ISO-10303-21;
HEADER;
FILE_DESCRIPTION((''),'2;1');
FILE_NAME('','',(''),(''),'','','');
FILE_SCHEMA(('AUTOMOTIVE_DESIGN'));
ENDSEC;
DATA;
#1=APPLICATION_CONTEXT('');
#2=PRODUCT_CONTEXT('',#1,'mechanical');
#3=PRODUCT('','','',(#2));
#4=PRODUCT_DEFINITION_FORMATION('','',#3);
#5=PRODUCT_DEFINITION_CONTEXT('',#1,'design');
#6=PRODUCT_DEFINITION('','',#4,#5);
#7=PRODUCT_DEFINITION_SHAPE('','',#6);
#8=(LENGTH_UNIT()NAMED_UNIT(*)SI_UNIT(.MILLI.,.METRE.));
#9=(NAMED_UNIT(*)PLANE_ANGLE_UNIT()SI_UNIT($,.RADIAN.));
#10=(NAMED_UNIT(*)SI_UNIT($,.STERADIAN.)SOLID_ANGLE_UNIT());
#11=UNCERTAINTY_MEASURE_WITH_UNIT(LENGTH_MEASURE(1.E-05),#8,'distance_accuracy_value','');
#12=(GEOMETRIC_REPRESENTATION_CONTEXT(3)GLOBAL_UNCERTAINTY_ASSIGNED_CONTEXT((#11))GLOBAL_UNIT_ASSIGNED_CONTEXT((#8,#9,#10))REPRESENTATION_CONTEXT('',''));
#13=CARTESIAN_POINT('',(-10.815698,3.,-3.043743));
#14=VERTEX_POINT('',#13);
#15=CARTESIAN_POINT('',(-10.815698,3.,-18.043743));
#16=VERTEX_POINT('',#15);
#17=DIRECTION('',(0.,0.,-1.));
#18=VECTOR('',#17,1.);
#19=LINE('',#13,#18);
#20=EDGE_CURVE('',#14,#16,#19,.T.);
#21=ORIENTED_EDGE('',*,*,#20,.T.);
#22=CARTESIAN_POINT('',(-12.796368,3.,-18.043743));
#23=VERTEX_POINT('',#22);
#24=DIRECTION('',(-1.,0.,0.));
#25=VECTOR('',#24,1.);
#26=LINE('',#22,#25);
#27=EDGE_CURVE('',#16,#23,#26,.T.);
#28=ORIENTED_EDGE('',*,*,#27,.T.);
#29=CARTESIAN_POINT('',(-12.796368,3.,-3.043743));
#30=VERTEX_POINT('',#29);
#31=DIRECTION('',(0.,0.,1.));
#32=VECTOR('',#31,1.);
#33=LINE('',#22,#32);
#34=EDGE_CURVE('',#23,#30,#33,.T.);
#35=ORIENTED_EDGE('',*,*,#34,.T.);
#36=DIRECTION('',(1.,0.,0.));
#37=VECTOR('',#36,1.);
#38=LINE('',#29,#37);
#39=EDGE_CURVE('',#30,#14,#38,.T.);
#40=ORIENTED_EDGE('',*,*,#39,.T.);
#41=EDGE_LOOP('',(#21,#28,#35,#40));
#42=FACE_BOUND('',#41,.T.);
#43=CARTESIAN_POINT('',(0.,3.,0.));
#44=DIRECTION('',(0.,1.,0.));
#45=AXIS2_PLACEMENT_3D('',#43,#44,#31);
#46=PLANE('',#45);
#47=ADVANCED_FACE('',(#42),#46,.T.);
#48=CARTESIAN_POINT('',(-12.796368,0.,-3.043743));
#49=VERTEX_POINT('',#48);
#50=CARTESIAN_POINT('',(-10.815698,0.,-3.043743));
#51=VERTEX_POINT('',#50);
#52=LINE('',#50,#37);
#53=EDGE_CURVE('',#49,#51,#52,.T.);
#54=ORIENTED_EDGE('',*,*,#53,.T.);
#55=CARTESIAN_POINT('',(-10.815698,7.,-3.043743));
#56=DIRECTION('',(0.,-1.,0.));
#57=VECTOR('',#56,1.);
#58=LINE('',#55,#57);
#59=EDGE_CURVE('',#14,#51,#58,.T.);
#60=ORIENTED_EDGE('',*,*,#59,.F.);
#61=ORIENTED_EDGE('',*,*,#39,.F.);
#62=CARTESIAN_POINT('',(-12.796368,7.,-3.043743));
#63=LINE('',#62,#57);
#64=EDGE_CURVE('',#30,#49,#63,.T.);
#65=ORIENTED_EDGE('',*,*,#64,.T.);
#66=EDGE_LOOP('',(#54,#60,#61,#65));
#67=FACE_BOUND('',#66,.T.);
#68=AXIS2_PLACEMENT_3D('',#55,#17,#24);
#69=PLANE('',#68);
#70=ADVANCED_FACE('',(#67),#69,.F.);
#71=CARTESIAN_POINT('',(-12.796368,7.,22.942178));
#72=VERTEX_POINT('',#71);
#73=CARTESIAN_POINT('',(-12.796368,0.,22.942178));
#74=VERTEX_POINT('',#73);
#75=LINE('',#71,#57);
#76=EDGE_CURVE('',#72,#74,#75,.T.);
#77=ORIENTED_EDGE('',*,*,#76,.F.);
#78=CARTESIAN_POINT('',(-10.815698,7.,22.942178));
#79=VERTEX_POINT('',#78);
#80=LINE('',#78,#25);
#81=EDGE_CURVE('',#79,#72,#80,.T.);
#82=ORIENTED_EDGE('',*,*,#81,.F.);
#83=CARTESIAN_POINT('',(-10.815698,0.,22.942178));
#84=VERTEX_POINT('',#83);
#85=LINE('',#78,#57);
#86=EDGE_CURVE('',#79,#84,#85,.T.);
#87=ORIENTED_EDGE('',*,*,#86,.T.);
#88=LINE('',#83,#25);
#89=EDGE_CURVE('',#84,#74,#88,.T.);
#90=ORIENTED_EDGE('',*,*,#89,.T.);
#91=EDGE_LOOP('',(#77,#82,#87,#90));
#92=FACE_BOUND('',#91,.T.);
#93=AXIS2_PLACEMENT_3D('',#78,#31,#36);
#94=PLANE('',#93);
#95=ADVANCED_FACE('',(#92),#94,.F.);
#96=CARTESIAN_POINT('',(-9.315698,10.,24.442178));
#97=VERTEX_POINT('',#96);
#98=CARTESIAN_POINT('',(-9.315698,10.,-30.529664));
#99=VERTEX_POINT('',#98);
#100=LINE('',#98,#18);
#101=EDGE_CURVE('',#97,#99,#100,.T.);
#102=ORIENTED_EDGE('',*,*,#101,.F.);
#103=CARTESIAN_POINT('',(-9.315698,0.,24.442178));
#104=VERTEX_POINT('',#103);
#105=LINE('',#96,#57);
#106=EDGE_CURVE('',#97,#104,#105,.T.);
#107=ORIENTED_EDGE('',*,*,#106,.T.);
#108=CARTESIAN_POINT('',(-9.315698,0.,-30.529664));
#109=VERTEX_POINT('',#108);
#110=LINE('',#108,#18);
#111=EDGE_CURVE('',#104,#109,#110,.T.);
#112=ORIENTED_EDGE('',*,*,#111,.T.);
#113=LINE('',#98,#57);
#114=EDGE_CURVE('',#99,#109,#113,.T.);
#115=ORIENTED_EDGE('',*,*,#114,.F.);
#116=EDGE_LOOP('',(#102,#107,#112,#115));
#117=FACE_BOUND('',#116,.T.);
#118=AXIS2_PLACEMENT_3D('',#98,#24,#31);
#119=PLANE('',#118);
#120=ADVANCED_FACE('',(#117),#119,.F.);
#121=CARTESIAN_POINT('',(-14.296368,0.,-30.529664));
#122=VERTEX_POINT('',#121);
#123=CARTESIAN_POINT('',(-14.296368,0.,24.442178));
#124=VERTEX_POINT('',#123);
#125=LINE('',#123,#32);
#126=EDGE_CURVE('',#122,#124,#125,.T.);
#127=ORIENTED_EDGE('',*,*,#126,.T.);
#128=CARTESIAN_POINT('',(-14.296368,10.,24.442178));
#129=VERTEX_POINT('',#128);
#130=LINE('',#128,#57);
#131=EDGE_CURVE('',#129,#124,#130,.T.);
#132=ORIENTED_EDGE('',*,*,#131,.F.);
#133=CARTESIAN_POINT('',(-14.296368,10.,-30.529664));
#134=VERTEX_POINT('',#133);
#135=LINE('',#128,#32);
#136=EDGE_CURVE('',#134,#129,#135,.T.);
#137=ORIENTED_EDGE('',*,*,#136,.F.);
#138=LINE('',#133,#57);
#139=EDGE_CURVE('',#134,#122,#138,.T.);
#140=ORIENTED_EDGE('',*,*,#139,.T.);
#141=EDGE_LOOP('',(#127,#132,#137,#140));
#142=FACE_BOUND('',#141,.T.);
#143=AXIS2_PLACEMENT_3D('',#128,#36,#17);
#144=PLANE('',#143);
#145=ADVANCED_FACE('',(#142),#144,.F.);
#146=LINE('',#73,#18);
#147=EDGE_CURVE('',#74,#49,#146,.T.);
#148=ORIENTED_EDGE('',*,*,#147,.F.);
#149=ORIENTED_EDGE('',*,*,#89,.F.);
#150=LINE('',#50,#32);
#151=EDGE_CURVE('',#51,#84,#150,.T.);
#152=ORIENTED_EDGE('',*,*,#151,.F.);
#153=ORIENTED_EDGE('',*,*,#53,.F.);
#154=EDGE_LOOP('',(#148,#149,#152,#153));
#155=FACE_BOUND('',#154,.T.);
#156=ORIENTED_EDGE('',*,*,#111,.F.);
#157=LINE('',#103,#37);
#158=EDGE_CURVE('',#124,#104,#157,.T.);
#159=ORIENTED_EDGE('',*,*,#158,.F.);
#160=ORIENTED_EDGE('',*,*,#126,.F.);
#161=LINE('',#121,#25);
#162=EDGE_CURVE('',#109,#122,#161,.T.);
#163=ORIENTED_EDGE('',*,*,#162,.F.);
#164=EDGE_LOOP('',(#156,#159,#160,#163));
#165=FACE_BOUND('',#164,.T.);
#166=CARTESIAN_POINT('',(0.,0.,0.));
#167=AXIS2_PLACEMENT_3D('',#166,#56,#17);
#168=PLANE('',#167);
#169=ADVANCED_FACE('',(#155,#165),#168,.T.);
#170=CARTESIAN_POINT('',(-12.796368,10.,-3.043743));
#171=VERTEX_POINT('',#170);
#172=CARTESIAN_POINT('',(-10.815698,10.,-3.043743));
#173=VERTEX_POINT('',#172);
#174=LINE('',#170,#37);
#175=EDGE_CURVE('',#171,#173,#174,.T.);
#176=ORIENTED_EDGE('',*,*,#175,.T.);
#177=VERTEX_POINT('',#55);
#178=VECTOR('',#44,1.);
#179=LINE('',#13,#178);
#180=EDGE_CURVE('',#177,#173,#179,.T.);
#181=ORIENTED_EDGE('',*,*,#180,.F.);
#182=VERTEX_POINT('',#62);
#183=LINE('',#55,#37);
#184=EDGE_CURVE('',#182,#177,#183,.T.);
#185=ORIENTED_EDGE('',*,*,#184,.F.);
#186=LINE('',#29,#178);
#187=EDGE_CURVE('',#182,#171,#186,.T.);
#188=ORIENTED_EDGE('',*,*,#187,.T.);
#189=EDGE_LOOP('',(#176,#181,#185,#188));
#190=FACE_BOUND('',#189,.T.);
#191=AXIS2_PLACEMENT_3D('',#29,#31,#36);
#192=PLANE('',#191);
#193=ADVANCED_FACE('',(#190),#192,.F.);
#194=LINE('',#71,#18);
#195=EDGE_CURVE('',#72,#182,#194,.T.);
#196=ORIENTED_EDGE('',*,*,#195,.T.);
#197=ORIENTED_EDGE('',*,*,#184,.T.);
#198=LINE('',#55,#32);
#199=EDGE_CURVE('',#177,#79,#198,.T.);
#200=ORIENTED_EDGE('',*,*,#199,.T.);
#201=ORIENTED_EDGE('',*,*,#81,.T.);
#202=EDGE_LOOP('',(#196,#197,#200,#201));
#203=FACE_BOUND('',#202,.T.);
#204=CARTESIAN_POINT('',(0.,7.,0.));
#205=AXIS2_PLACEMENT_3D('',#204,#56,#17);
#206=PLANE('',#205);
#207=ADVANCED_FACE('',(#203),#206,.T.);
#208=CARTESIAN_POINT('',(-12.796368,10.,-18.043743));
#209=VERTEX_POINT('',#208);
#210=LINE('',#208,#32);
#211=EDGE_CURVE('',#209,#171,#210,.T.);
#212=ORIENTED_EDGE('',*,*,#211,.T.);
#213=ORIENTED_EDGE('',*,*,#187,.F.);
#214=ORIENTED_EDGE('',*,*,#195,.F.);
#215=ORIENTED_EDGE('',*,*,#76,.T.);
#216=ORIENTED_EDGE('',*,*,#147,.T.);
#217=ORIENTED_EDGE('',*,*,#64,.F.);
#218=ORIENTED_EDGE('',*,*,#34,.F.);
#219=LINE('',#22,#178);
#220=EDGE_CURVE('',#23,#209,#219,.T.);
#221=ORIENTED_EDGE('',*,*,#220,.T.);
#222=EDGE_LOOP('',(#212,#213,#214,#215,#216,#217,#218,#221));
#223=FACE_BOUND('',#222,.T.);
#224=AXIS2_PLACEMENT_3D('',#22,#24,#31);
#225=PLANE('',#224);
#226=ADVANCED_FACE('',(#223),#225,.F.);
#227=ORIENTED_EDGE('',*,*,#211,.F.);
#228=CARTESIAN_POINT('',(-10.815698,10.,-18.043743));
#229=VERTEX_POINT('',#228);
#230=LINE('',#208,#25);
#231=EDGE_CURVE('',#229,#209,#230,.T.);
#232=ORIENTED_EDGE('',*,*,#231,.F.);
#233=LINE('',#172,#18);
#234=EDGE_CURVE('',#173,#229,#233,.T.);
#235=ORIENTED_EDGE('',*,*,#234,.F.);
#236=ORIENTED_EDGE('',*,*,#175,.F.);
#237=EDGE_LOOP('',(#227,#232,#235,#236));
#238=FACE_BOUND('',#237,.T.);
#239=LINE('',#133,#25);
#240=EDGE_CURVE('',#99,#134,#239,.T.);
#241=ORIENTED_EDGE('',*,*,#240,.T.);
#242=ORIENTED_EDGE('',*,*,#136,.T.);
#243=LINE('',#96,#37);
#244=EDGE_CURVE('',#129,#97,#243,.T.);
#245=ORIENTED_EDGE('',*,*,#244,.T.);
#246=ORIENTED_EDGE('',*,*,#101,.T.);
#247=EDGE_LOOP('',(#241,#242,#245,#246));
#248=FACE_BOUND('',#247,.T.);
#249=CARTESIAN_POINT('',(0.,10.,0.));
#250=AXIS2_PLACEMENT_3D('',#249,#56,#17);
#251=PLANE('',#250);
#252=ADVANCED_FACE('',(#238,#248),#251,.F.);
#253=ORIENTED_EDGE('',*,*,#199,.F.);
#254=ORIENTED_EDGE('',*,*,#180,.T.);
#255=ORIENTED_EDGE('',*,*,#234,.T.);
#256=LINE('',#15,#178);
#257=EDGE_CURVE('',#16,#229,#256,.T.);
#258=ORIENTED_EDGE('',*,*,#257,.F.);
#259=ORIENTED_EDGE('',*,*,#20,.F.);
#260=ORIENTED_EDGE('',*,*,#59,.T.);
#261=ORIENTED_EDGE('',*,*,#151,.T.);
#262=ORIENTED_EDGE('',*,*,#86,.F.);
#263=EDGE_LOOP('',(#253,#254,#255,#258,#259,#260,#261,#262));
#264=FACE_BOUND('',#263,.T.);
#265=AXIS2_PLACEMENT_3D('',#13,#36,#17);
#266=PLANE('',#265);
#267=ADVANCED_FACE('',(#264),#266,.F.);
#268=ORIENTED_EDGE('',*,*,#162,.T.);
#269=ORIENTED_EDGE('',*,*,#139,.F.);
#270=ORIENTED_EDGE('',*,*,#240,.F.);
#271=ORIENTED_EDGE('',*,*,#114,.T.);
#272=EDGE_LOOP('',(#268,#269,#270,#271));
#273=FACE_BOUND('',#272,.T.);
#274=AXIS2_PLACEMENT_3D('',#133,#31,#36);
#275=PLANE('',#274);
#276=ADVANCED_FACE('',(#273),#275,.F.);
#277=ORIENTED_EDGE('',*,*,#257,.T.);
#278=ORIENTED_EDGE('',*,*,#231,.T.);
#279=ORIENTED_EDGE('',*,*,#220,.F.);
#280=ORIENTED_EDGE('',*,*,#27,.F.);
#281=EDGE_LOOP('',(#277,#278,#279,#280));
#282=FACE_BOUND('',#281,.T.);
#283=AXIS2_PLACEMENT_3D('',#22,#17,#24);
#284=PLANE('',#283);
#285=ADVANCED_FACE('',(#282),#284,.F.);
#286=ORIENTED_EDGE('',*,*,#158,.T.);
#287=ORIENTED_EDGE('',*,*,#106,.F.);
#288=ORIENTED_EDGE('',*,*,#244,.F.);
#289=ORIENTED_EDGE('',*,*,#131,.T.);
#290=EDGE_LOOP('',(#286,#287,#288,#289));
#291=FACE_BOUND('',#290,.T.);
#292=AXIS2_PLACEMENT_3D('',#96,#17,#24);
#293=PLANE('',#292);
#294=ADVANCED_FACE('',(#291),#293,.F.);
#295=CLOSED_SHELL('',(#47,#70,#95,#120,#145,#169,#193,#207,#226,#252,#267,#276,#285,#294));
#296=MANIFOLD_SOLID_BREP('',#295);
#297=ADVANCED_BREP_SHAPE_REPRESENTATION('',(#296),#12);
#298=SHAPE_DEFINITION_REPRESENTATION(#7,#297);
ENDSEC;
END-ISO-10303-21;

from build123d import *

# Parameters (mm, degrees)
SKETCH1_W           = 4.980670257
SKETCH1_H           = 54.9718421
BOSS_EXTRUDE1_DEPTH = 10
SKETCH2_W           = 1.980670257
SKETCH2_H           = 15
CUT_EXTRUDE2_DEPTH  = 7
SKETCH4_W           = 1.980670257
SKETCH4_H           = 25.98592105
CUT_EXTRUDE3_DEPTH  = 7


with BuildPart() as part:
    # Sketch1 → Boss-Extrude1 (new body)
    with BuildSketch(Plane(origin=(0, 0, 0), x_dir=(1, 0, 0), z_dir=(0, 1, 0))):
        with Locations((-11.806033203, 3.043742935)):
            Rectangle(SKETCH1_W, SKETCH1_H)
    extrude(amount=BOSS_EXTRUDE1_DEPTH)

    # Sketch2 → Cut-Extrude2 (cut)
    with BuildSketch(Plane(origin=(0, 10, 0), x_dir=(1, 0, 0), z_dir=(0, 1, 0))):
        with Locations((-11.806033203, 10.543742935)):
            Rectangle(SKETCH2_W, SKETCH2_H)
    extrude(amount=-CUT_EXTRUDE2_DEPTH, mode=Mode.SUBTRACT)

    # Sketch4 → Cut-Extrude3 (cut)
    with BuildSketch(Plane.XZ):
        with Locations((-11.806033203, 9.94921759)):
            Rectangle(SKETCH4_W, SKETCH4_H)
    extrude(amount=-CUT_EXTRUDE3_DEPTH, mode=Mode.SUBTRACT)


solid = part.part
